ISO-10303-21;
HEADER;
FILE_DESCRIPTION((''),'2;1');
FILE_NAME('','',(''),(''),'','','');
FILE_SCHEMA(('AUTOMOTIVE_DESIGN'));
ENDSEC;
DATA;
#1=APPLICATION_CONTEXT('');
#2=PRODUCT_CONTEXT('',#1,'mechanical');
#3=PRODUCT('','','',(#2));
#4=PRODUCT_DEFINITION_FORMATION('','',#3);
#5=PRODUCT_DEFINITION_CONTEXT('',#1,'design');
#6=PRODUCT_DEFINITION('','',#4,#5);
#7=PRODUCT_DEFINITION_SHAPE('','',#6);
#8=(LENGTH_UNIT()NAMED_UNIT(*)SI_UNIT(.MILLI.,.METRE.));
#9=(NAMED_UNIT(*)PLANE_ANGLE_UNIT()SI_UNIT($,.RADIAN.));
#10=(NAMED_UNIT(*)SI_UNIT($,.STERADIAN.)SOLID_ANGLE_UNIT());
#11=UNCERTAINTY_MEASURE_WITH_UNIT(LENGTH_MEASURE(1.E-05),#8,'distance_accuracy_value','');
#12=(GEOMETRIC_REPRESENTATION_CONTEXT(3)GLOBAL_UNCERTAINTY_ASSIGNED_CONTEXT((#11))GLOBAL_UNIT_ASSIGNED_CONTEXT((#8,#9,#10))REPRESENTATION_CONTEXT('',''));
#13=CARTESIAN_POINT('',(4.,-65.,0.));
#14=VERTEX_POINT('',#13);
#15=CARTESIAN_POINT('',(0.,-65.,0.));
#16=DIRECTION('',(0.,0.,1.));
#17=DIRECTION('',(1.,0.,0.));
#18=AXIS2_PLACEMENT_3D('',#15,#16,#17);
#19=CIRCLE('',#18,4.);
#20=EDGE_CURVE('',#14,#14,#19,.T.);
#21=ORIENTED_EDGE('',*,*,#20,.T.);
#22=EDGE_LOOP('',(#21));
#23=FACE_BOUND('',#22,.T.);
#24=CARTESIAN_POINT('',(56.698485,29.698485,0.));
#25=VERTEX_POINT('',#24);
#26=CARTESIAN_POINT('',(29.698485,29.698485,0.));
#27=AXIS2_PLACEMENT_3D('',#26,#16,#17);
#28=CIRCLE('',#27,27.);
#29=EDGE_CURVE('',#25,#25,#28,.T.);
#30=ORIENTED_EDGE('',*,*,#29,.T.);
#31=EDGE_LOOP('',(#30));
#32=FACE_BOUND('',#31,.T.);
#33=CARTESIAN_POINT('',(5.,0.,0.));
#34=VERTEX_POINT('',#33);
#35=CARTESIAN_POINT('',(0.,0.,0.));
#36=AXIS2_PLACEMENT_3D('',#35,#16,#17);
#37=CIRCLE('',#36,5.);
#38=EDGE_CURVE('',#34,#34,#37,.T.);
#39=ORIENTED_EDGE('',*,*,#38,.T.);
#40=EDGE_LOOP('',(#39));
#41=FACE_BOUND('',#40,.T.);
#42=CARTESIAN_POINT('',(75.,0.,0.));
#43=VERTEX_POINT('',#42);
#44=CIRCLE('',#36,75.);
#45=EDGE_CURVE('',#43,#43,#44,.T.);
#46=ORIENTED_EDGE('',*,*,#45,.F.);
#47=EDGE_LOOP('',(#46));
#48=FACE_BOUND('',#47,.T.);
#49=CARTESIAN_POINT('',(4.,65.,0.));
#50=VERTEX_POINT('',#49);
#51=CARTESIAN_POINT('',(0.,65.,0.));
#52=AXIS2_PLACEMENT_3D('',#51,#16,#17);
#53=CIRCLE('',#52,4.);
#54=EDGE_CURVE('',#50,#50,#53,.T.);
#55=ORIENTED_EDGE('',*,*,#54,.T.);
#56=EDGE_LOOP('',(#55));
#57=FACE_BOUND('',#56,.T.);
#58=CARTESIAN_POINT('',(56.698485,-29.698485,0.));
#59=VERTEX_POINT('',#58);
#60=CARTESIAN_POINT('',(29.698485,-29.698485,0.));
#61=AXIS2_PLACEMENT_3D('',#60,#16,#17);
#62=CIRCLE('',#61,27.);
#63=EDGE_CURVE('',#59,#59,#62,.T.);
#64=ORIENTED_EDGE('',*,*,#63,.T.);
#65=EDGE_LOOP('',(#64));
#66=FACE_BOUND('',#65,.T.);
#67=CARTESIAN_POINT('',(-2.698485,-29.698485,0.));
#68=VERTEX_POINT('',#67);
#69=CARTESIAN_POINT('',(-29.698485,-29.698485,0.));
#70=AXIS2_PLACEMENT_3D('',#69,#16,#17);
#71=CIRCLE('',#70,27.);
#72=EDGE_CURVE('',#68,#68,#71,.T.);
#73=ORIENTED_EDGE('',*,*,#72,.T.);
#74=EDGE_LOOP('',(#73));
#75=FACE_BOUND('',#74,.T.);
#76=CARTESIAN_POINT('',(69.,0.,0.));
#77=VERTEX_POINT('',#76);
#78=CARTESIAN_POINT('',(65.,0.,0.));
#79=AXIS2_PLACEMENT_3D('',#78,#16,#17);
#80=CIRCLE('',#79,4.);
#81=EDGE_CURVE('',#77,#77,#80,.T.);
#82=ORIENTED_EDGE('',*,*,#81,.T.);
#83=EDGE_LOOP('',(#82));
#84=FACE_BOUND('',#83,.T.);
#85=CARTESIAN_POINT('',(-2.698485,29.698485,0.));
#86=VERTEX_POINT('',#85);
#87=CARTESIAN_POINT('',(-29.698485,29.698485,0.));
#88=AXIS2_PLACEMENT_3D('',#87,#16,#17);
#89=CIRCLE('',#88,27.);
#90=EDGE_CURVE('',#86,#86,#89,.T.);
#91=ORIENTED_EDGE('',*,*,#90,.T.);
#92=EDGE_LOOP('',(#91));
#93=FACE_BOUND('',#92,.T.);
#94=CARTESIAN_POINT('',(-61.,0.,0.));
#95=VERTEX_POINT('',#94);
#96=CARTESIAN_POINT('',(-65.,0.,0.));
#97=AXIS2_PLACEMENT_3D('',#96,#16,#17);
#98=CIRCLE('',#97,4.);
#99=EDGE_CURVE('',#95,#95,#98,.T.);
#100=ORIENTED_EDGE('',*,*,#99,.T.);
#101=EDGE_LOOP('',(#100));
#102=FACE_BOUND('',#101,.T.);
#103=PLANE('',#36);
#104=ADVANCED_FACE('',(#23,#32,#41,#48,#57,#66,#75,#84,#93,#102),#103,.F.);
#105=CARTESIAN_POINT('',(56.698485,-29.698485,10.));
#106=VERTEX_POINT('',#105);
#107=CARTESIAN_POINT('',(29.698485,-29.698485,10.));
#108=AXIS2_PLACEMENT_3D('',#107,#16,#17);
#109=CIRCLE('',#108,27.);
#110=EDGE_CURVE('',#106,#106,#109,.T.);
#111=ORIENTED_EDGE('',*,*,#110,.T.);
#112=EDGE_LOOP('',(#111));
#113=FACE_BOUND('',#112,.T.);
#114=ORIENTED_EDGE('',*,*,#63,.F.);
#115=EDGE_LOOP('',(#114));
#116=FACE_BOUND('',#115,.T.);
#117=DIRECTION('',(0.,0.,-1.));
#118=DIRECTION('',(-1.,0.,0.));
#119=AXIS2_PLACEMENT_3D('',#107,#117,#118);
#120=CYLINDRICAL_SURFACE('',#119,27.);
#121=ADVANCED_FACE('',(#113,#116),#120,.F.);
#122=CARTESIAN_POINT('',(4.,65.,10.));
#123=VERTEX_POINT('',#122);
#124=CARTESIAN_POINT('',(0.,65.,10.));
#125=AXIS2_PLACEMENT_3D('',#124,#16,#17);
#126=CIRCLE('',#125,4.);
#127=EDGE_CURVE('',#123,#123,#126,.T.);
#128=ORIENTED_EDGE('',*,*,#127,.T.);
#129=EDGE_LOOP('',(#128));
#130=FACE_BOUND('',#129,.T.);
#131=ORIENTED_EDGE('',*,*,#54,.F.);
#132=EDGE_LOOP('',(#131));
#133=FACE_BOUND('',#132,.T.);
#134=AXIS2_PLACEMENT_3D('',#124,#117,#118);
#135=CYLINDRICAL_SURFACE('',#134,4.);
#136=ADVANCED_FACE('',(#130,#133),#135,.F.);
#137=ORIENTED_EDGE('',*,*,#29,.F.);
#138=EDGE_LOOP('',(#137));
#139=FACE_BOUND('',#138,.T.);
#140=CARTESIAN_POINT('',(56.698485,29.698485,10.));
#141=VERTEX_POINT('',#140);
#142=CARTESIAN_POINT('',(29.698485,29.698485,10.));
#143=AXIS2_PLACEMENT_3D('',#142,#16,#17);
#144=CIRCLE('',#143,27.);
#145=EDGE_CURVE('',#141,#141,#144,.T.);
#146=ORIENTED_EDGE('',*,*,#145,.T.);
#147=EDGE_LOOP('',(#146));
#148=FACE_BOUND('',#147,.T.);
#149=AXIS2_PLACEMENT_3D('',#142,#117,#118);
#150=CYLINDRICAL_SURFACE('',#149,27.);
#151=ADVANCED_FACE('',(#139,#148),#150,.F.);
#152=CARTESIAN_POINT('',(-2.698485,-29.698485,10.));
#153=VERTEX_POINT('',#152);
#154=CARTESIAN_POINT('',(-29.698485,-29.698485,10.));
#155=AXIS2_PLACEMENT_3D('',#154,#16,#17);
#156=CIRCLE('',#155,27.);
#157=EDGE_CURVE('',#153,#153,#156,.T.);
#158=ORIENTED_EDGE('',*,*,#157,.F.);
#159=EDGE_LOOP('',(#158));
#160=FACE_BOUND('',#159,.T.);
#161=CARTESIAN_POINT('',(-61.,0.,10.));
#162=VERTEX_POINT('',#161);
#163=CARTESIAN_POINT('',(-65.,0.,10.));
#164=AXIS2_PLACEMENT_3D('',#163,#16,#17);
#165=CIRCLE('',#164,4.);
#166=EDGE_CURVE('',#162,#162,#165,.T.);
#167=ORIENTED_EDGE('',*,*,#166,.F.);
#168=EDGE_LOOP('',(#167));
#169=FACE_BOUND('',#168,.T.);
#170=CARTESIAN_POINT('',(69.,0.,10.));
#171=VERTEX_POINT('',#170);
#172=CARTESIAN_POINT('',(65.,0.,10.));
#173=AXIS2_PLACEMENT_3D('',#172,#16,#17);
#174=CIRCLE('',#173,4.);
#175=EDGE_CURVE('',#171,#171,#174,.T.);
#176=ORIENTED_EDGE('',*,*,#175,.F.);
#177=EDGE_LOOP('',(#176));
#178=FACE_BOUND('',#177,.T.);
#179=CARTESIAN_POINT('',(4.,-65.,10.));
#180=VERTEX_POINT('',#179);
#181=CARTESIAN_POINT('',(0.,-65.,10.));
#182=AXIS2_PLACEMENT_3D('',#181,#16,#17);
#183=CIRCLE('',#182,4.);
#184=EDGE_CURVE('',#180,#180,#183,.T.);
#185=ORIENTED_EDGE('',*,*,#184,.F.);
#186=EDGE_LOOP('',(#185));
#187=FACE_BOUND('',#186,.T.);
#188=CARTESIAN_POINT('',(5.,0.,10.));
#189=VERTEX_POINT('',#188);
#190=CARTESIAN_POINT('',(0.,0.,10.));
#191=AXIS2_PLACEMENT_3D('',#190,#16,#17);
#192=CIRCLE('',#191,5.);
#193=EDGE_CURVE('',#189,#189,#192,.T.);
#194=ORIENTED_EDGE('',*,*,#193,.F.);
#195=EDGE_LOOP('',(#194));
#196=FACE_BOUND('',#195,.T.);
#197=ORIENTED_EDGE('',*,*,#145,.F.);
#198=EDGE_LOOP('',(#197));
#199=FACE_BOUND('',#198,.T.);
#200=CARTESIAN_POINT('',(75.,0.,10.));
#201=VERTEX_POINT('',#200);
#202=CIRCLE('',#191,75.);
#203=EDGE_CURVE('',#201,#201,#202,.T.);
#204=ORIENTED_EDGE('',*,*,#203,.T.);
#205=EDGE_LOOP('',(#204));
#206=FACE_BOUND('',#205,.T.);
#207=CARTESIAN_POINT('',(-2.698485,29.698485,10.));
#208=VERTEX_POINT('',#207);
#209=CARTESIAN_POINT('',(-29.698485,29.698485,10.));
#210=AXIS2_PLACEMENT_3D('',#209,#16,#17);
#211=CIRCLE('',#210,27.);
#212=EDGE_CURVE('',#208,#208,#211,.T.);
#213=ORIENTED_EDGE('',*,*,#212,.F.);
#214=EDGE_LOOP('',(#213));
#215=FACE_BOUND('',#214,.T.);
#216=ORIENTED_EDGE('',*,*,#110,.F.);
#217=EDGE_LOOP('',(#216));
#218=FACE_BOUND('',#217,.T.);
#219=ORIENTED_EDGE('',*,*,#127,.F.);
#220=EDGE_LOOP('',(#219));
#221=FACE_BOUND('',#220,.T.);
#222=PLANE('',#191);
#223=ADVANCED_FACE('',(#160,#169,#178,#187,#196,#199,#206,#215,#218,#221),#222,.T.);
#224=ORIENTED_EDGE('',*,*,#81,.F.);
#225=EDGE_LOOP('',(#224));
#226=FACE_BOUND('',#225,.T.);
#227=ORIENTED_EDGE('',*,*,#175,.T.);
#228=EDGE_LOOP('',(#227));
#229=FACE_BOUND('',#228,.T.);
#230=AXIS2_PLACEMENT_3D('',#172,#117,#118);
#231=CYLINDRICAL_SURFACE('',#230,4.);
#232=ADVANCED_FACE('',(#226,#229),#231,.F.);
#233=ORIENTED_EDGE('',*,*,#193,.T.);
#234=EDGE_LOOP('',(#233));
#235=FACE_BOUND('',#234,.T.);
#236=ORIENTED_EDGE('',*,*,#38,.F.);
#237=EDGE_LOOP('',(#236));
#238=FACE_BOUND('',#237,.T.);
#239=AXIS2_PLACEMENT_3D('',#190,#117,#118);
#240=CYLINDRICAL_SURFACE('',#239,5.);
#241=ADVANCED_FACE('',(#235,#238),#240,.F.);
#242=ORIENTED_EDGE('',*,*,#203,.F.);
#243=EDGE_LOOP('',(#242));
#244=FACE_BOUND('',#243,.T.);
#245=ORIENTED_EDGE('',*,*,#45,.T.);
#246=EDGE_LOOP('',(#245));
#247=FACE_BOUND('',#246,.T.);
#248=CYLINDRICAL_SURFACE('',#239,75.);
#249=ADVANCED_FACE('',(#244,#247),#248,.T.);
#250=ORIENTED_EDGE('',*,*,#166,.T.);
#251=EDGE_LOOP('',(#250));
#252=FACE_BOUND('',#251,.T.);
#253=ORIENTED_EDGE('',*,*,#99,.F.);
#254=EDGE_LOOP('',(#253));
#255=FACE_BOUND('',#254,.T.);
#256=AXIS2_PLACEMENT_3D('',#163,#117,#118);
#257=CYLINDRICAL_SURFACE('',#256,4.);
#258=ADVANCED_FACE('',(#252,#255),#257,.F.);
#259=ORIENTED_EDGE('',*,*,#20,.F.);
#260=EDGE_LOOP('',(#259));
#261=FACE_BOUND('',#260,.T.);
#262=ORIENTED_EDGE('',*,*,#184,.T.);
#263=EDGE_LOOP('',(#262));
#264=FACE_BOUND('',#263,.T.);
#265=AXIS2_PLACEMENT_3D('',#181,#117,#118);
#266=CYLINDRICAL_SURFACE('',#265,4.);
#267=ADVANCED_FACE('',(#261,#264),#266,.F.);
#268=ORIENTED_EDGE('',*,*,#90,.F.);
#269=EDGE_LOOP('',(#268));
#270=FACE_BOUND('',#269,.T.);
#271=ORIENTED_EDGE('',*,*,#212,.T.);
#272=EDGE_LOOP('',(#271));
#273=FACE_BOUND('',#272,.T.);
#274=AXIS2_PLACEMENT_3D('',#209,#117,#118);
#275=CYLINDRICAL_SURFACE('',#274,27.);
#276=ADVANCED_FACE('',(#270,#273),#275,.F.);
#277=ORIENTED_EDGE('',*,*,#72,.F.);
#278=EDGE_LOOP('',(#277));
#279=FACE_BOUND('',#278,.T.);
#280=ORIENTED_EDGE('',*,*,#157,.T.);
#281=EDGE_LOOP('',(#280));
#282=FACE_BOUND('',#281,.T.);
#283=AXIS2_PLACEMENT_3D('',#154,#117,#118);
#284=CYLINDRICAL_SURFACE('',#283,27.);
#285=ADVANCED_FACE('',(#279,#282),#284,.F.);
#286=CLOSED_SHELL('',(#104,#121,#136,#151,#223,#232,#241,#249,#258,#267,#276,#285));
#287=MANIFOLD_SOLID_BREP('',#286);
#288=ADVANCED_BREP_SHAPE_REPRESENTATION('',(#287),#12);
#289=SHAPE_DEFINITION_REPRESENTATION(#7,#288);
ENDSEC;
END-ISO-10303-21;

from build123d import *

# Parameters (mm, degrees)
SKETCH1_R           = 75
SKETCH1_R_2         = 27
SKETCH1_R_3         = 5
SKETCH1_R_4         = 4
BOSS_EXTRUDE1_DEPTH = 10


with BuildPart() as part:
    # Sketch1 → Boss-Extrude1 (new body)
    with BuildSketch(Plane.XY):
        Circle(SKETCH1_R)
        with Locations((-29.69848481, 29.69848481)):
            Circle(SKETCH1_R_2, mode=Mode.SUBTRACT)
        with Locations((29.69848481, 29.69848481)):
            Circle(SKETCH1_R_2, mode=Mode.SUBTRACT)
        with Locations((29.69848481, -29.69848481)):
            Circle(SKETCH1_R_2, mode=Mode.SUBTRACT)
        with Locations((-29.69848481, -29.69848481)):
            Circle(SKETCH1_R_2, mode=Mode.SUBTRACT)
        Circle(SKETCH1_R_3, mode=Mode.SUBTRACT)
        with Locations((0, 65)):
            Circle(SKETCH1_R_4, mode=Mode.SUBTRACT)
        with Locations((65, 0)):
            Circle(SKETCH1_R_4, mode=Mode.SUBTRACT)
        with Locations((0, -65)):
            Circle(SKETCH1_R_4, mode=Mode.SUBTRACT)
        with Locations((-65, 0)):
            Circle(SKETCH1_R_4, mode=Mode.SUBTRACT)
    extrude(amount=BOSS_EXTRUDE1_DEPTH)


solid = part.part
